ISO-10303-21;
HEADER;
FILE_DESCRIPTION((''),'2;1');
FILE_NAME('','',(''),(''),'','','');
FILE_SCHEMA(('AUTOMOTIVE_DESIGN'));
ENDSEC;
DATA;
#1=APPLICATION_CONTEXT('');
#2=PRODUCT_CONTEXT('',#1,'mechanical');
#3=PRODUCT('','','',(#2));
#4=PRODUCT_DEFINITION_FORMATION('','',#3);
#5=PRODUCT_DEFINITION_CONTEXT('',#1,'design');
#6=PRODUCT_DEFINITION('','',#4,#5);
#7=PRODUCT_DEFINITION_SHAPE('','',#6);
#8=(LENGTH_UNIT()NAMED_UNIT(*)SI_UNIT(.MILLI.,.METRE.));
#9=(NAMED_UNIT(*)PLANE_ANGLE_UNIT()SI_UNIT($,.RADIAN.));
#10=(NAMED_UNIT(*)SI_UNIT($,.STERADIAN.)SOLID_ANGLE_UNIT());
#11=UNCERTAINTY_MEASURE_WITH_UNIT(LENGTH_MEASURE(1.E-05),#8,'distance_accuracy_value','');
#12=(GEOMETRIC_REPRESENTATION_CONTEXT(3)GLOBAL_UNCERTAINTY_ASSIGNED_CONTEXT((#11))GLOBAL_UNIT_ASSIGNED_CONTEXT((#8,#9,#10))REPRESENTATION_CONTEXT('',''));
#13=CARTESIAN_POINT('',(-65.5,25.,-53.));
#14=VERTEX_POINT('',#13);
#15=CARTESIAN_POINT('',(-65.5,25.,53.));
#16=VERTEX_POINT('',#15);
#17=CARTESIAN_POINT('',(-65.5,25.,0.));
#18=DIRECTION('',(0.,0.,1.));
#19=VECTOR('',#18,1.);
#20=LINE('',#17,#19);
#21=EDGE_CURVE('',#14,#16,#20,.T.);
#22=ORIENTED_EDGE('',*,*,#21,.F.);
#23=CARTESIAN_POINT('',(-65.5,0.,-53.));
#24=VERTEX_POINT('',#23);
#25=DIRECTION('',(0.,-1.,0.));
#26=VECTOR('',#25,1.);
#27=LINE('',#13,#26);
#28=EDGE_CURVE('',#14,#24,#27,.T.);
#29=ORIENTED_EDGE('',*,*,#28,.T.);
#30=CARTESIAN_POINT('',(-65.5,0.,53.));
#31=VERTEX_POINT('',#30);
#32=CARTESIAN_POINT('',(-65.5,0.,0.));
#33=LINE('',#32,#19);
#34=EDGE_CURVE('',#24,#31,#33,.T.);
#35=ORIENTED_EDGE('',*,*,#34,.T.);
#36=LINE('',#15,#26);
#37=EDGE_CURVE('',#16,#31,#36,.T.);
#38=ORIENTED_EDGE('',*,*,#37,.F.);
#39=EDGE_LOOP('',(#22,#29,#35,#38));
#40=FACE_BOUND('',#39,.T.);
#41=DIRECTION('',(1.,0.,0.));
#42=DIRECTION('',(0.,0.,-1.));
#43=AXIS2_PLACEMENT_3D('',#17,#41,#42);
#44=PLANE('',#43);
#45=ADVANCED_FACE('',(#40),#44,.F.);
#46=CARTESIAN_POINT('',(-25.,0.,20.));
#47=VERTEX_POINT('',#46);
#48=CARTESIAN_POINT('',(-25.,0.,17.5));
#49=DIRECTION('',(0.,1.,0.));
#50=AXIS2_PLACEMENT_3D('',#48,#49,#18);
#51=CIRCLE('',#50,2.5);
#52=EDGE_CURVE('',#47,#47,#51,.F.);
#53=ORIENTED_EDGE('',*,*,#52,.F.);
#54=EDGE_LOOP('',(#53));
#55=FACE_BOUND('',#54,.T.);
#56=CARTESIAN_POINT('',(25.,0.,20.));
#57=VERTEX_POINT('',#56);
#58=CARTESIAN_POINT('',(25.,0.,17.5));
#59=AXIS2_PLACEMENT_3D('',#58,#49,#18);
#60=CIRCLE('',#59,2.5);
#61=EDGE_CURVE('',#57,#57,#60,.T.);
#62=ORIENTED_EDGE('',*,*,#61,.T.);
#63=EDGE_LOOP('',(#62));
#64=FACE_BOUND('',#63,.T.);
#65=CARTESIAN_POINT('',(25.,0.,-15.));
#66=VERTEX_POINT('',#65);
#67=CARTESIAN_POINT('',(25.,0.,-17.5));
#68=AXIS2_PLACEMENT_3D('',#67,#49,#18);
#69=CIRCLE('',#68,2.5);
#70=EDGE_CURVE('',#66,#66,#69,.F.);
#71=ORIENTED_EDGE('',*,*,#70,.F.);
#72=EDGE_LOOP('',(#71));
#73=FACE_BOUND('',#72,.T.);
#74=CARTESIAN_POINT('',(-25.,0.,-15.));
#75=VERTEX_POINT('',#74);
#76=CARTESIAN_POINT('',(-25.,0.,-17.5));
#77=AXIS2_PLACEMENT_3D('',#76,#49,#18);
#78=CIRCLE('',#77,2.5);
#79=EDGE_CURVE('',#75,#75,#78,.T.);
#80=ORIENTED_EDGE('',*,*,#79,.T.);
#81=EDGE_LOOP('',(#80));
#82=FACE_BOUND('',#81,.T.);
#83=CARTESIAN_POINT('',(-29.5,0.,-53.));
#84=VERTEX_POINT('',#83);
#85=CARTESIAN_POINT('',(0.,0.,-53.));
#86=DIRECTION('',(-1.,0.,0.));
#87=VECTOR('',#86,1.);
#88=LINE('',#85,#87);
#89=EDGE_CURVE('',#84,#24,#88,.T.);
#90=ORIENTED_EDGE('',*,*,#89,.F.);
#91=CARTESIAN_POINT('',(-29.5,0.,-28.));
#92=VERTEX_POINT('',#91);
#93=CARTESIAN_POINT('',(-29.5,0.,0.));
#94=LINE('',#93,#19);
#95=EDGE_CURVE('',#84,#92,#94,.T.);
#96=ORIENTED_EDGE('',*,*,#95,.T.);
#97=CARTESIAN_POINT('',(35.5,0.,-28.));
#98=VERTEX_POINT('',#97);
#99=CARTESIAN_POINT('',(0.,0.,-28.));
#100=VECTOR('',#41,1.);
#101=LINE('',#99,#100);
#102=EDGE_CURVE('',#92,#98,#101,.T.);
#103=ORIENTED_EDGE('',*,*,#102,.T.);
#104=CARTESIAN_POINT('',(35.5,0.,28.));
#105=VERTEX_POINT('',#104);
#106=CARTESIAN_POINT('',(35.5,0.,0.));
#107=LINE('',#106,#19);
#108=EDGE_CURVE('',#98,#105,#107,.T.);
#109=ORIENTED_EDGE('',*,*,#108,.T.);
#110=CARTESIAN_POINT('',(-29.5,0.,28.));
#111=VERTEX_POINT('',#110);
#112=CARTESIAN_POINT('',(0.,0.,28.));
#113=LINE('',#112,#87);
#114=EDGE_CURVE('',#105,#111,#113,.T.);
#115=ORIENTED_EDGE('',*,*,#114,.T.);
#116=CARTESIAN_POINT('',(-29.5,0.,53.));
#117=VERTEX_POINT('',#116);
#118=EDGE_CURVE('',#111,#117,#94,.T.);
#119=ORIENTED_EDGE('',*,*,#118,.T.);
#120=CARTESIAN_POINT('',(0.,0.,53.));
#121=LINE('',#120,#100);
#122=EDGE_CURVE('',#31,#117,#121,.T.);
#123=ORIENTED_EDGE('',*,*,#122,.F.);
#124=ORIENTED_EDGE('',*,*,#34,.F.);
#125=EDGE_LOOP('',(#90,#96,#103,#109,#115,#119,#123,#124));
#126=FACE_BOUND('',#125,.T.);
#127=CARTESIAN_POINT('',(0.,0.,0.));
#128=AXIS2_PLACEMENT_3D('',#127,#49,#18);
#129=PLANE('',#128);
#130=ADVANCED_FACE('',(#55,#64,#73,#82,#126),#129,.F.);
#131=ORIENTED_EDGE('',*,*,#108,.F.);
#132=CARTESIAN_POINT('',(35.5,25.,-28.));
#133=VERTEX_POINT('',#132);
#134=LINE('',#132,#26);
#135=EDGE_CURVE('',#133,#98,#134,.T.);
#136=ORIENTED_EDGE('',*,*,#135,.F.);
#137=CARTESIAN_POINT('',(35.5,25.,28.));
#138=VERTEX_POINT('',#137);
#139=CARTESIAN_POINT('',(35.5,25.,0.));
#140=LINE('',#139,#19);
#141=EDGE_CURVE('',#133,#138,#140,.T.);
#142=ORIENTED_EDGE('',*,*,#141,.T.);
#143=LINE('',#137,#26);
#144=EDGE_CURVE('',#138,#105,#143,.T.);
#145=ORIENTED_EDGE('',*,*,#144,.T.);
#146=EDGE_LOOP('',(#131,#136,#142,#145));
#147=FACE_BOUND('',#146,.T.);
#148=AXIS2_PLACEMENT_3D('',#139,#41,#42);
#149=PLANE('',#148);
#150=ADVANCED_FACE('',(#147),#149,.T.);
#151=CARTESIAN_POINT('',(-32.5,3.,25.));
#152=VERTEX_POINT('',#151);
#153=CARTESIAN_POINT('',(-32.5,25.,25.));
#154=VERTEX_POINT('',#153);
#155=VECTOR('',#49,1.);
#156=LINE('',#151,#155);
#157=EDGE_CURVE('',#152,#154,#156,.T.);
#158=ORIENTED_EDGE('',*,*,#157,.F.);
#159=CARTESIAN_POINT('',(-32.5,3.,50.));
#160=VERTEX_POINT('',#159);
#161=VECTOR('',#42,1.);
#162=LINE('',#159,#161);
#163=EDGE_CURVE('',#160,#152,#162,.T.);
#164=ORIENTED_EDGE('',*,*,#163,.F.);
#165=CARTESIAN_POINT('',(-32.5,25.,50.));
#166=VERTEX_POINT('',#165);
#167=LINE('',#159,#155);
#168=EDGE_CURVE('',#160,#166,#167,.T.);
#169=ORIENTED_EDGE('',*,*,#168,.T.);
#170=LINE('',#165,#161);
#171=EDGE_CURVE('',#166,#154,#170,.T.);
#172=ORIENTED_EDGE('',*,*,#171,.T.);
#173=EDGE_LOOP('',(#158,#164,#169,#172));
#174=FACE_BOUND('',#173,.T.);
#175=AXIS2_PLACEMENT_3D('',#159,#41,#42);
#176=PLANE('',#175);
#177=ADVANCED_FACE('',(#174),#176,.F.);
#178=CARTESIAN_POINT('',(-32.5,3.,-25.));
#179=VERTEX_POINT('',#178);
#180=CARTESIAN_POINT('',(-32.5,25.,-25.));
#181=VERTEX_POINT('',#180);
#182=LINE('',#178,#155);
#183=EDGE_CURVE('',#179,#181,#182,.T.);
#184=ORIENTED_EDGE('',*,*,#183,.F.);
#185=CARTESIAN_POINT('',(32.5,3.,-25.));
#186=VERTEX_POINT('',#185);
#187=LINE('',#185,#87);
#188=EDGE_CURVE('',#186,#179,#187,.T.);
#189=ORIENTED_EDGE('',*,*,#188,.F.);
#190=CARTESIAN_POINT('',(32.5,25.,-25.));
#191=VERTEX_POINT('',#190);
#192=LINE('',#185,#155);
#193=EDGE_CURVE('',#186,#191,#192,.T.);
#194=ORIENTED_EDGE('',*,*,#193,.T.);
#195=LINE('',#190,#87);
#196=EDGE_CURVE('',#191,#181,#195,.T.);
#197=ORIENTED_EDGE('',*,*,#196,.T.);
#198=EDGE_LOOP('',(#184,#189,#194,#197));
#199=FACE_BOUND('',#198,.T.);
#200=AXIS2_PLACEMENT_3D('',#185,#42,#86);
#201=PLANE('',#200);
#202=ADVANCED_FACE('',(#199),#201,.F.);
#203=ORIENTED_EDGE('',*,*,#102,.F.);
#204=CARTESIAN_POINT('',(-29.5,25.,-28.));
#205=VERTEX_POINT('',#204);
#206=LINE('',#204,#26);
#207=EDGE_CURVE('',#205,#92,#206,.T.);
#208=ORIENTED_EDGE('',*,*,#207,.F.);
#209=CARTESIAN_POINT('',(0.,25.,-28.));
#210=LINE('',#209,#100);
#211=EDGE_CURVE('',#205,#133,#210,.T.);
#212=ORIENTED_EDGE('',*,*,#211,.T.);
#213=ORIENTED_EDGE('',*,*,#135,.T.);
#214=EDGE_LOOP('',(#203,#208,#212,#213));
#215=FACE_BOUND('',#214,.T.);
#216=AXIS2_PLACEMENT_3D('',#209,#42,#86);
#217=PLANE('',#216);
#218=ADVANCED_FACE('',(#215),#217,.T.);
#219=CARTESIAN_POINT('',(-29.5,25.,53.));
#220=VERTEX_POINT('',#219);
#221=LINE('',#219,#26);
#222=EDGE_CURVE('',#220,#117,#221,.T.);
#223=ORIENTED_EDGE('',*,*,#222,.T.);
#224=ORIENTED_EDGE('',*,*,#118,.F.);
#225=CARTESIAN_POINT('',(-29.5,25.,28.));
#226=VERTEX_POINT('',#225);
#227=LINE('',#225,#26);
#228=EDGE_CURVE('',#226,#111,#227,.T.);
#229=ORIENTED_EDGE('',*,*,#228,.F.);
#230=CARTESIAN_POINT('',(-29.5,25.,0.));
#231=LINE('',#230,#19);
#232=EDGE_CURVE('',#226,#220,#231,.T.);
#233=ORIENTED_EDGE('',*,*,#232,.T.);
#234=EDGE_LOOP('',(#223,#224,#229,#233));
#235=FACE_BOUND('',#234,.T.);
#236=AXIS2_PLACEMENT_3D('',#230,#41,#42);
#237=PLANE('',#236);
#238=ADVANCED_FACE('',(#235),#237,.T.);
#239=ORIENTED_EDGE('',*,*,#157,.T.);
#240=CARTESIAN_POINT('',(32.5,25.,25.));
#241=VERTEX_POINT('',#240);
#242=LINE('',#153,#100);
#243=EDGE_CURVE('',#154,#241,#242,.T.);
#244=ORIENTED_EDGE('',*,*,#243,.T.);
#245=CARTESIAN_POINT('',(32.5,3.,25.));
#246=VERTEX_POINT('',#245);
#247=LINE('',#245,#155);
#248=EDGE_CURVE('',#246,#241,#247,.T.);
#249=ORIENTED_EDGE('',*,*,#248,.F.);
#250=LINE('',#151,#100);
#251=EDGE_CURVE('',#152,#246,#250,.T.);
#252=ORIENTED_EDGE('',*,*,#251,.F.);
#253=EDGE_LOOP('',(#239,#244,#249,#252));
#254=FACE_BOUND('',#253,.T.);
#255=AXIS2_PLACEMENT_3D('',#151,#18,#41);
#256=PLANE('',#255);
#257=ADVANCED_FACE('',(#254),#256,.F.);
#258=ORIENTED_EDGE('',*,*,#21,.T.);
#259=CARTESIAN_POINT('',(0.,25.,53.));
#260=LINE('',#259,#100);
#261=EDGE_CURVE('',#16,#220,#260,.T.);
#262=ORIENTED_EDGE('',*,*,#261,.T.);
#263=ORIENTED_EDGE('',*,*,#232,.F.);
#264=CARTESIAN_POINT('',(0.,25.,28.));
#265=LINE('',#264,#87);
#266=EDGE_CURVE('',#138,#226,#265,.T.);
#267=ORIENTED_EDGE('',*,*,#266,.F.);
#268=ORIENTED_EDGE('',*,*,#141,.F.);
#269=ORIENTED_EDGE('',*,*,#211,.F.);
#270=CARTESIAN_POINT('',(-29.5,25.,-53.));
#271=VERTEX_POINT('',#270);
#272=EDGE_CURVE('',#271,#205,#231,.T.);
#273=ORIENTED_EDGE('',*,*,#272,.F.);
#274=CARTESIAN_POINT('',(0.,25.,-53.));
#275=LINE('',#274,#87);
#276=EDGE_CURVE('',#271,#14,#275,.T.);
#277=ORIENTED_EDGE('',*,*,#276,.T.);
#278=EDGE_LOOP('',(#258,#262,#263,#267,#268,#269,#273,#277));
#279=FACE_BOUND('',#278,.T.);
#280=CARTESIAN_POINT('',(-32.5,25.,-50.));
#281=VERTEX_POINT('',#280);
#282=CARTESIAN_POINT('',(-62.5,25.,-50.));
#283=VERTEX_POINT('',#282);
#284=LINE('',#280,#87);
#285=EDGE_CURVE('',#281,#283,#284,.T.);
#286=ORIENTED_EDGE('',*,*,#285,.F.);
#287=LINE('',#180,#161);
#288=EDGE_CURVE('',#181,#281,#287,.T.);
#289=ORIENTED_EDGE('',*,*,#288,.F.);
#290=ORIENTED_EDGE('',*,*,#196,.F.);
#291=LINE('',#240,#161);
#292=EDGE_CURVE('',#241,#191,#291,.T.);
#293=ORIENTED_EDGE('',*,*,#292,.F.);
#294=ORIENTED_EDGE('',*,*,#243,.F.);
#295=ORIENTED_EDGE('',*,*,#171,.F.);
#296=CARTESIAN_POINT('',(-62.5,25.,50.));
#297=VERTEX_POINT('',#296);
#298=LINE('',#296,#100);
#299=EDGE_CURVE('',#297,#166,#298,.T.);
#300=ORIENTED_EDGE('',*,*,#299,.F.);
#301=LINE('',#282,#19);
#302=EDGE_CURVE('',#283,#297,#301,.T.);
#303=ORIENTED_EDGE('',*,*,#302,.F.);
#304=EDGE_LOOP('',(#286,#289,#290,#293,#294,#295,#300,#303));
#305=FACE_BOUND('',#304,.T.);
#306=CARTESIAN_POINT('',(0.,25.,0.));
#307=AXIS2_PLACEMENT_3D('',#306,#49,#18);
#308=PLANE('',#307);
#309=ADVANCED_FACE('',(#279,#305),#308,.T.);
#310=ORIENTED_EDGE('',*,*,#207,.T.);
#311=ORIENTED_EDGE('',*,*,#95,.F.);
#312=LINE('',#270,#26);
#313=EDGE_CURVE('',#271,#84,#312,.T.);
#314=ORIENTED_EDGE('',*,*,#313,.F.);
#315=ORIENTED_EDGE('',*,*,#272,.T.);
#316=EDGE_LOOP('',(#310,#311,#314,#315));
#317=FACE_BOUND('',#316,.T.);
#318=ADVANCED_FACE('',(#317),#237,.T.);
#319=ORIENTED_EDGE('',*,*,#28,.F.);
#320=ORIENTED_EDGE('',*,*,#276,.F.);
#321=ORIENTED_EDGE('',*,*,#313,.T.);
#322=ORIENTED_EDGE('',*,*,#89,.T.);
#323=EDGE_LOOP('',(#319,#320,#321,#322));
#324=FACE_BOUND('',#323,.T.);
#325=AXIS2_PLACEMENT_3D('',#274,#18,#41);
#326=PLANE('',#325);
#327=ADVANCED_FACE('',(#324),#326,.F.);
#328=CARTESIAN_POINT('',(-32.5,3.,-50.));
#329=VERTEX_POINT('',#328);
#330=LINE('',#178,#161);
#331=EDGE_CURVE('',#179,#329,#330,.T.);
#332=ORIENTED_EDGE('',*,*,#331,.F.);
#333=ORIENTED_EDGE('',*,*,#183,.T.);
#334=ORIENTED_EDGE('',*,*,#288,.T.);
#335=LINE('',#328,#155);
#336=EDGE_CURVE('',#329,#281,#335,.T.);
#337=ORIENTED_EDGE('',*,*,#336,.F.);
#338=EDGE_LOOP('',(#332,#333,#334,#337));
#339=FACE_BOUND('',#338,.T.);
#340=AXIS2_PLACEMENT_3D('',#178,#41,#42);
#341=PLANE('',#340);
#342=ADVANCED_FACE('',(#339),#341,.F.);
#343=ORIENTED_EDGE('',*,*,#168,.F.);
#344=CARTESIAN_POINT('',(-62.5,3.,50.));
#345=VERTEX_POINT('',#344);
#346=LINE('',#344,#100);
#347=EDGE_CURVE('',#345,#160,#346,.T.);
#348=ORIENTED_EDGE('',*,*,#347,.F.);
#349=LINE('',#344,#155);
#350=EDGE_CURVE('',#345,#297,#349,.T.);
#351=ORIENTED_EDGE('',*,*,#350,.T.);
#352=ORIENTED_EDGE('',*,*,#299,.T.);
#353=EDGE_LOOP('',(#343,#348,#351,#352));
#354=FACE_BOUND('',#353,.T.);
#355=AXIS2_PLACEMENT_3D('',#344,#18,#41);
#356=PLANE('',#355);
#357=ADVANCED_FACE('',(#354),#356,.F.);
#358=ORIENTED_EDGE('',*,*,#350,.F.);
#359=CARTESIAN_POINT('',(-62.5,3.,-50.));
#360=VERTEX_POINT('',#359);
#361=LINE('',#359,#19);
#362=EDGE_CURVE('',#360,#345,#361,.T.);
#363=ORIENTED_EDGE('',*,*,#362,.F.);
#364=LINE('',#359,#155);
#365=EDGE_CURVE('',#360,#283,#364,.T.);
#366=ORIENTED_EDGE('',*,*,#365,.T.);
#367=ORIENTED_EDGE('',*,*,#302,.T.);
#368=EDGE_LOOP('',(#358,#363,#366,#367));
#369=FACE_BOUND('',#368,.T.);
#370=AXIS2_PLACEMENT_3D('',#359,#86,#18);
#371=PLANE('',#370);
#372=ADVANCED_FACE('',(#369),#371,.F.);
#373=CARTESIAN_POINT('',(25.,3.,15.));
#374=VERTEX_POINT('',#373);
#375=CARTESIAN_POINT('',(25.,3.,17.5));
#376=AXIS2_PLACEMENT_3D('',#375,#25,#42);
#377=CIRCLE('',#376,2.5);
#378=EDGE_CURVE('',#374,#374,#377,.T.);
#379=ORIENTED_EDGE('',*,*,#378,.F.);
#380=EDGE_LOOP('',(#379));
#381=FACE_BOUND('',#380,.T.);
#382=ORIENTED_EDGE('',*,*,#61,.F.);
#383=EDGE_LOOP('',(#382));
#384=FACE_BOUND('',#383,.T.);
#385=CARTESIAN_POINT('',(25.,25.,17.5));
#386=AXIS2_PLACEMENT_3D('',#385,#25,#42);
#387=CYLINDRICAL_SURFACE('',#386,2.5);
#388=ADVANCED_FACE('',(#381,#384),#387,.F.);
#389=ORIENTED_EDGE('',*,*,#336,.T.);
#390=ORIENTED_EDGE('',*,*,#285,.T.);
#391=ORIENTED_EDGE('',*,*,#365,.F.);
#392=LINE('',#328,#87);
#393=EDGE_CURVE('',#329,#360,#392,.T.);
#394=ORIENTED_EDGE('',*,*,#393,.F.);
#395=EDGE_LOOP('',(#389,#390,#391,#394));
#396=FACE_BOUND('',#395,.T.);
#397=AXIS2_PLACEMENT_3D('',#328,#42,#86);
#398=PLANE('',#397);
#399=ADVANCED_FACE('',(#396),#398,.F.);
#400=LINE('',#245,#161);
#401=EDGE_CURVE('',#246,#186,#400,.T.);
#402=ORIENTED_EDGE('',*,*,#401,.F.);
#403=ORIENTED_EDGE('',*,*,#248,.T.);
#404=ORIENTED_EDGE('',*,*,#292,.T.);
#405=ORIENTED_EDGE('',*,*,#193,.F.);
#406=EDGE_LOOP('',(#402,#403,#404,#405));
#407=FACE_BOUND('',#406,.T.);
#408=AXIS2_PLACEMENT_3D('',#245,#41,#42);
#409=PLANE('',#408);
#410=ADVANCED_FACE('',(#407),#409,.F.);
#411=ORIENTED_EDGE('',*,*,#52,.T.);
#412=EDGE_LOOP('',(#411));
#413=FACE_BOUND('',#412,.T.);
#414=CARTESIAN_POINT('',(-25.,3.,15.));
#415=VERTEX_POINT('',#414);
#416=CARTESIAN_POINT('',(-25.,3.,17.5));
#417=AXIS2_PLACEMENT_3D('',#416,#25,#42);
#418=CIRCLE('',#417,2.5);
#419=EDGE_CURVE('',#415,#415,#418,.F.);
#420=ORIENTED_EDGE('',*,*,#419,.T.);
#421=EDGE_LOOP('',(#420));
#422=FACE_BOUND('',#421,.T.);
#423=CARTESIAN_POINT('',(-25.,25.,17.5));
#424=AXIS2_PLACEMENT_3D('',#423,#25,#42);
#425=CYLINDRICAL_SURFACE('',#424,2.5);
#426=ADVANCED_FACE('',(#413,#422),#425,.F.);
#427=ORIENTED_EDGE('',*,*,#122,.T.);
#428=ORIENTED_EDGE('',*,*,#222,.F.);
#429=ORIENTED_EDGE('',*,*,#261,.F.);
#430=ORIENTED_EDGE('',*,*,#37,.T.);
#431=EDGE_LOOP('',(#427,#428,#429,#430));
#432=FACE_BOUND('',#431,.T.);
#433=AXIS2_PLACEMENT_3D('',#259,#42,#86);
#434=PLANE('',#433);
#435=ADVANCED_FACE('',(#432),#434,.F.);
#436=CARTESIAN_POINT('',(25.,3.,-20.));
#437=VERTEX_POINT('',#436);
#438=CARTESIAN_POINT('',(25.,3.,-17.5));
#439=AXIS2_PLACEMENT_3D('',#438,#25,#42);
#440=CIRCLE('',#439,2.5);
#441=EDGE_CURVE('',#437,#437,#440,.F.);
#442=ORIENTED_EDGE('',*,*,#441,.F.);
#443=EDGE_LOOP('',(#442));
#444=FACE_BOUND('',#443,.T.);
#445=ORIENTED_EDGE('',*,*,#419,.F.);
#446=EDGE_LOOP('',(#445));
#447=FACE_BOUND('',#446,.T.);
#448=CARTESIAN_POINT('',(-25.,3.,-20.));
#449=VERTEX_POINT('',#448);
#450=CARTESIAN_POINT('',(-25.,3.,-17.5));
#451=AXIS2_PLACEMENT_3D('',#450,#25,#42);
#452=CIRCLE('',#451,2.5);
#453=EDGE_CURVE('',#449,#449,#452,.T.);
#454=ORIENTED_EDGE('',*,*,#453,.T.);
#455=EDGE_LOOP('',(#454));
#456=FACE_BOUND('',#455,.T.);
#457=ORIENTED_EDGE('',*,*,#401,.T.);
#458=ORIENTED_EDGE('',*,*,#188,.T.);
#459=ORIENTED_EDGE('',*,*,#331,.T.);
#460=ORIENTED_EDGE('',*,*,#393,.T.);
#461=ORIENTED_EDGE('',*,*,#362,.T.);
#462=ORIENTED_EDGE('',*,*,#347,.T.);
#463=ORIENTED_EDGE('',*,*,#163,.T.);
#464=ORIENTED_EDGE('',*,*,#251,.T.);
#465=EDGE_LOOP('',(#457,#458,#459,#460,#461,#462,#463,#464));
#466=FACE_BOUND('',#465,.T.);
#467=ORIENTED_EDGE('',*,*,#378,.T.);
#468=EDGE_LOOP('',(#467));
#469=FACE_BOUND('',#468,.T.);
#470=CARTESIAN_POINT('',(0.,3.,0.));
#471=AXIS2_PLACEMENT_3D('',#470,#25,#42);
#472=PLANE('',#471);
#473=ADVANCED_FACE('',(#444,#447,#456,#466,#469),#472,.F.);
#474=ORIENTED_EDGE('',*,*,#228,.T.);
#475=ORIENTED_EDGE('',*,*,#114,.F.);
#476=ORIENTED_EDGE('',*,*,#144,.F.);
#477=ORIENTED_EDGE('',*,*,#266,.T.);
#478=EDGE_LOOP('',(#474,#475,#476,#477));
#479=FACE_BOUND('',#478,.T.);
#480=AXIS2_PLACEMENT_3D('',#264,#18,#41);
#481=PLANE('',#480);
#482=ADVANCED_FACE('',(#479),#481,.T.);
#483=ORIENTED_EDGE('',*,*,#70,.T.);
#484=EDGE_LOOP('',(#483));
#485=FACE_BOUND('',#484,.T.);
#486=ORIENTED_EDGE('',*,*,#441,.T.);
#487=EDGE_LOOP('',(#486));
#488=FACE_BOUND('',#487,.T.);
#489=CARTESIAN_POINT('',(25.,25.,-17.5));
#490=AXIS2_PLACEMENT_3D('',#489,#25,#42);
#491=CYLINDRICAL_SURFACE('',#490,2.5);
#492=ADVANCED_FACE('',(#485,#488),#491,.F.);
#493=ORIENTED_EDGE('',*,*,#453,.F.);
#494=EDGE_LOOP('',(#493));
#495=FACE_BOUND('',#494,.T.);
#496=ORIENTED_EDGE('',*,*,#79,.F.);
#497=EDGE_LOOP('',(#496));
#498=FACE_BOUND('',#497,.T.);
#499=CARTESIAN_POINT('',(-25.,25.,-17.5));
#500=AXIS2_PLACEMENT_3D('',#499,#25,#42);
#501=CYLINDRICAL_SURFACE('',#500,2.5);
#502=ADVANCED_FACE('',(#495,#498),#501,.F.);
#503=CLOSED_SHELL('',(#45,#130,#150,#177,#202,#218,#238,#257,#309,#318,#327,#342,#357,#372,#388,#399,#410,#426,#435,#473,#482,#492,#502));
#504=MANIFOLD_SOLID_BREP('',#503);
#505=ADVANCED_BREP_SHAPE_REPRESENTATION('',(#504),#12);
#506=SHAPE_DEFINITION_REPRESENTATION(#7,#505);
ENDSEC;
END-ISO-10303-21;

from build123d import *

# Parameters (mm, degrees)
SKETCH1_R           = 2.5
BOSS_EXTRUDE1_DEPTH = 25
CUT_EXTRUDE2_DEPTH  = 22


with BuildPart() as part:
    # Sketch1 → Boss-Extrude1 (new body)
    with BuildSketch(Plane(origin=(0, 0, 0), x_dir=(1, 0, 0), z_dir=(0, 1, 0))):
        Polygon((-29.5, 28), (35.5, 28), (35.5, -28), (-29.5, -28), (-29.5, -53), (-65.5, -53), (-65.5, 53), (-29.5, 53), align=None)
        with Locations((-25, 17.5)):
            Circle(SKETCH1_R, mode=Mode.SUBTRACT)
        with Locations((25, 17.5)):
            Circle(SKETCH1_R, mode=Mode.SUBTRACT)
        with Locations((25, -17.5)):
            Circle(SKETCH1_R, mode=Mode.SUBTRACT)
        with Locations((-25, -17.5)):
            Circle(SKETCH1_R, mode=Mode.SUBTRACT)
    extrude(amount=BOSS_EXTRUDE1_DEPTH)

    # Sketch6 → Cut-Extrude2 (cut)
    with BuildSketch(Plane(origin=(0, 25, 0), x_dir=(1, 0, 0), z_dir=(0, 1, 0))):
        Polygon((-32.5, 25), (-32.5, 50), (-62.5, 50), (-62.5, -50), (-32.5, -50), (-32.5, -25), (32.5, -25), (32.5, 25), align=None)
    extrude(amount=-CUT_EXTRUDE2_DEPTH, mode=Mode.SUBTRACT)


solid = part.part
